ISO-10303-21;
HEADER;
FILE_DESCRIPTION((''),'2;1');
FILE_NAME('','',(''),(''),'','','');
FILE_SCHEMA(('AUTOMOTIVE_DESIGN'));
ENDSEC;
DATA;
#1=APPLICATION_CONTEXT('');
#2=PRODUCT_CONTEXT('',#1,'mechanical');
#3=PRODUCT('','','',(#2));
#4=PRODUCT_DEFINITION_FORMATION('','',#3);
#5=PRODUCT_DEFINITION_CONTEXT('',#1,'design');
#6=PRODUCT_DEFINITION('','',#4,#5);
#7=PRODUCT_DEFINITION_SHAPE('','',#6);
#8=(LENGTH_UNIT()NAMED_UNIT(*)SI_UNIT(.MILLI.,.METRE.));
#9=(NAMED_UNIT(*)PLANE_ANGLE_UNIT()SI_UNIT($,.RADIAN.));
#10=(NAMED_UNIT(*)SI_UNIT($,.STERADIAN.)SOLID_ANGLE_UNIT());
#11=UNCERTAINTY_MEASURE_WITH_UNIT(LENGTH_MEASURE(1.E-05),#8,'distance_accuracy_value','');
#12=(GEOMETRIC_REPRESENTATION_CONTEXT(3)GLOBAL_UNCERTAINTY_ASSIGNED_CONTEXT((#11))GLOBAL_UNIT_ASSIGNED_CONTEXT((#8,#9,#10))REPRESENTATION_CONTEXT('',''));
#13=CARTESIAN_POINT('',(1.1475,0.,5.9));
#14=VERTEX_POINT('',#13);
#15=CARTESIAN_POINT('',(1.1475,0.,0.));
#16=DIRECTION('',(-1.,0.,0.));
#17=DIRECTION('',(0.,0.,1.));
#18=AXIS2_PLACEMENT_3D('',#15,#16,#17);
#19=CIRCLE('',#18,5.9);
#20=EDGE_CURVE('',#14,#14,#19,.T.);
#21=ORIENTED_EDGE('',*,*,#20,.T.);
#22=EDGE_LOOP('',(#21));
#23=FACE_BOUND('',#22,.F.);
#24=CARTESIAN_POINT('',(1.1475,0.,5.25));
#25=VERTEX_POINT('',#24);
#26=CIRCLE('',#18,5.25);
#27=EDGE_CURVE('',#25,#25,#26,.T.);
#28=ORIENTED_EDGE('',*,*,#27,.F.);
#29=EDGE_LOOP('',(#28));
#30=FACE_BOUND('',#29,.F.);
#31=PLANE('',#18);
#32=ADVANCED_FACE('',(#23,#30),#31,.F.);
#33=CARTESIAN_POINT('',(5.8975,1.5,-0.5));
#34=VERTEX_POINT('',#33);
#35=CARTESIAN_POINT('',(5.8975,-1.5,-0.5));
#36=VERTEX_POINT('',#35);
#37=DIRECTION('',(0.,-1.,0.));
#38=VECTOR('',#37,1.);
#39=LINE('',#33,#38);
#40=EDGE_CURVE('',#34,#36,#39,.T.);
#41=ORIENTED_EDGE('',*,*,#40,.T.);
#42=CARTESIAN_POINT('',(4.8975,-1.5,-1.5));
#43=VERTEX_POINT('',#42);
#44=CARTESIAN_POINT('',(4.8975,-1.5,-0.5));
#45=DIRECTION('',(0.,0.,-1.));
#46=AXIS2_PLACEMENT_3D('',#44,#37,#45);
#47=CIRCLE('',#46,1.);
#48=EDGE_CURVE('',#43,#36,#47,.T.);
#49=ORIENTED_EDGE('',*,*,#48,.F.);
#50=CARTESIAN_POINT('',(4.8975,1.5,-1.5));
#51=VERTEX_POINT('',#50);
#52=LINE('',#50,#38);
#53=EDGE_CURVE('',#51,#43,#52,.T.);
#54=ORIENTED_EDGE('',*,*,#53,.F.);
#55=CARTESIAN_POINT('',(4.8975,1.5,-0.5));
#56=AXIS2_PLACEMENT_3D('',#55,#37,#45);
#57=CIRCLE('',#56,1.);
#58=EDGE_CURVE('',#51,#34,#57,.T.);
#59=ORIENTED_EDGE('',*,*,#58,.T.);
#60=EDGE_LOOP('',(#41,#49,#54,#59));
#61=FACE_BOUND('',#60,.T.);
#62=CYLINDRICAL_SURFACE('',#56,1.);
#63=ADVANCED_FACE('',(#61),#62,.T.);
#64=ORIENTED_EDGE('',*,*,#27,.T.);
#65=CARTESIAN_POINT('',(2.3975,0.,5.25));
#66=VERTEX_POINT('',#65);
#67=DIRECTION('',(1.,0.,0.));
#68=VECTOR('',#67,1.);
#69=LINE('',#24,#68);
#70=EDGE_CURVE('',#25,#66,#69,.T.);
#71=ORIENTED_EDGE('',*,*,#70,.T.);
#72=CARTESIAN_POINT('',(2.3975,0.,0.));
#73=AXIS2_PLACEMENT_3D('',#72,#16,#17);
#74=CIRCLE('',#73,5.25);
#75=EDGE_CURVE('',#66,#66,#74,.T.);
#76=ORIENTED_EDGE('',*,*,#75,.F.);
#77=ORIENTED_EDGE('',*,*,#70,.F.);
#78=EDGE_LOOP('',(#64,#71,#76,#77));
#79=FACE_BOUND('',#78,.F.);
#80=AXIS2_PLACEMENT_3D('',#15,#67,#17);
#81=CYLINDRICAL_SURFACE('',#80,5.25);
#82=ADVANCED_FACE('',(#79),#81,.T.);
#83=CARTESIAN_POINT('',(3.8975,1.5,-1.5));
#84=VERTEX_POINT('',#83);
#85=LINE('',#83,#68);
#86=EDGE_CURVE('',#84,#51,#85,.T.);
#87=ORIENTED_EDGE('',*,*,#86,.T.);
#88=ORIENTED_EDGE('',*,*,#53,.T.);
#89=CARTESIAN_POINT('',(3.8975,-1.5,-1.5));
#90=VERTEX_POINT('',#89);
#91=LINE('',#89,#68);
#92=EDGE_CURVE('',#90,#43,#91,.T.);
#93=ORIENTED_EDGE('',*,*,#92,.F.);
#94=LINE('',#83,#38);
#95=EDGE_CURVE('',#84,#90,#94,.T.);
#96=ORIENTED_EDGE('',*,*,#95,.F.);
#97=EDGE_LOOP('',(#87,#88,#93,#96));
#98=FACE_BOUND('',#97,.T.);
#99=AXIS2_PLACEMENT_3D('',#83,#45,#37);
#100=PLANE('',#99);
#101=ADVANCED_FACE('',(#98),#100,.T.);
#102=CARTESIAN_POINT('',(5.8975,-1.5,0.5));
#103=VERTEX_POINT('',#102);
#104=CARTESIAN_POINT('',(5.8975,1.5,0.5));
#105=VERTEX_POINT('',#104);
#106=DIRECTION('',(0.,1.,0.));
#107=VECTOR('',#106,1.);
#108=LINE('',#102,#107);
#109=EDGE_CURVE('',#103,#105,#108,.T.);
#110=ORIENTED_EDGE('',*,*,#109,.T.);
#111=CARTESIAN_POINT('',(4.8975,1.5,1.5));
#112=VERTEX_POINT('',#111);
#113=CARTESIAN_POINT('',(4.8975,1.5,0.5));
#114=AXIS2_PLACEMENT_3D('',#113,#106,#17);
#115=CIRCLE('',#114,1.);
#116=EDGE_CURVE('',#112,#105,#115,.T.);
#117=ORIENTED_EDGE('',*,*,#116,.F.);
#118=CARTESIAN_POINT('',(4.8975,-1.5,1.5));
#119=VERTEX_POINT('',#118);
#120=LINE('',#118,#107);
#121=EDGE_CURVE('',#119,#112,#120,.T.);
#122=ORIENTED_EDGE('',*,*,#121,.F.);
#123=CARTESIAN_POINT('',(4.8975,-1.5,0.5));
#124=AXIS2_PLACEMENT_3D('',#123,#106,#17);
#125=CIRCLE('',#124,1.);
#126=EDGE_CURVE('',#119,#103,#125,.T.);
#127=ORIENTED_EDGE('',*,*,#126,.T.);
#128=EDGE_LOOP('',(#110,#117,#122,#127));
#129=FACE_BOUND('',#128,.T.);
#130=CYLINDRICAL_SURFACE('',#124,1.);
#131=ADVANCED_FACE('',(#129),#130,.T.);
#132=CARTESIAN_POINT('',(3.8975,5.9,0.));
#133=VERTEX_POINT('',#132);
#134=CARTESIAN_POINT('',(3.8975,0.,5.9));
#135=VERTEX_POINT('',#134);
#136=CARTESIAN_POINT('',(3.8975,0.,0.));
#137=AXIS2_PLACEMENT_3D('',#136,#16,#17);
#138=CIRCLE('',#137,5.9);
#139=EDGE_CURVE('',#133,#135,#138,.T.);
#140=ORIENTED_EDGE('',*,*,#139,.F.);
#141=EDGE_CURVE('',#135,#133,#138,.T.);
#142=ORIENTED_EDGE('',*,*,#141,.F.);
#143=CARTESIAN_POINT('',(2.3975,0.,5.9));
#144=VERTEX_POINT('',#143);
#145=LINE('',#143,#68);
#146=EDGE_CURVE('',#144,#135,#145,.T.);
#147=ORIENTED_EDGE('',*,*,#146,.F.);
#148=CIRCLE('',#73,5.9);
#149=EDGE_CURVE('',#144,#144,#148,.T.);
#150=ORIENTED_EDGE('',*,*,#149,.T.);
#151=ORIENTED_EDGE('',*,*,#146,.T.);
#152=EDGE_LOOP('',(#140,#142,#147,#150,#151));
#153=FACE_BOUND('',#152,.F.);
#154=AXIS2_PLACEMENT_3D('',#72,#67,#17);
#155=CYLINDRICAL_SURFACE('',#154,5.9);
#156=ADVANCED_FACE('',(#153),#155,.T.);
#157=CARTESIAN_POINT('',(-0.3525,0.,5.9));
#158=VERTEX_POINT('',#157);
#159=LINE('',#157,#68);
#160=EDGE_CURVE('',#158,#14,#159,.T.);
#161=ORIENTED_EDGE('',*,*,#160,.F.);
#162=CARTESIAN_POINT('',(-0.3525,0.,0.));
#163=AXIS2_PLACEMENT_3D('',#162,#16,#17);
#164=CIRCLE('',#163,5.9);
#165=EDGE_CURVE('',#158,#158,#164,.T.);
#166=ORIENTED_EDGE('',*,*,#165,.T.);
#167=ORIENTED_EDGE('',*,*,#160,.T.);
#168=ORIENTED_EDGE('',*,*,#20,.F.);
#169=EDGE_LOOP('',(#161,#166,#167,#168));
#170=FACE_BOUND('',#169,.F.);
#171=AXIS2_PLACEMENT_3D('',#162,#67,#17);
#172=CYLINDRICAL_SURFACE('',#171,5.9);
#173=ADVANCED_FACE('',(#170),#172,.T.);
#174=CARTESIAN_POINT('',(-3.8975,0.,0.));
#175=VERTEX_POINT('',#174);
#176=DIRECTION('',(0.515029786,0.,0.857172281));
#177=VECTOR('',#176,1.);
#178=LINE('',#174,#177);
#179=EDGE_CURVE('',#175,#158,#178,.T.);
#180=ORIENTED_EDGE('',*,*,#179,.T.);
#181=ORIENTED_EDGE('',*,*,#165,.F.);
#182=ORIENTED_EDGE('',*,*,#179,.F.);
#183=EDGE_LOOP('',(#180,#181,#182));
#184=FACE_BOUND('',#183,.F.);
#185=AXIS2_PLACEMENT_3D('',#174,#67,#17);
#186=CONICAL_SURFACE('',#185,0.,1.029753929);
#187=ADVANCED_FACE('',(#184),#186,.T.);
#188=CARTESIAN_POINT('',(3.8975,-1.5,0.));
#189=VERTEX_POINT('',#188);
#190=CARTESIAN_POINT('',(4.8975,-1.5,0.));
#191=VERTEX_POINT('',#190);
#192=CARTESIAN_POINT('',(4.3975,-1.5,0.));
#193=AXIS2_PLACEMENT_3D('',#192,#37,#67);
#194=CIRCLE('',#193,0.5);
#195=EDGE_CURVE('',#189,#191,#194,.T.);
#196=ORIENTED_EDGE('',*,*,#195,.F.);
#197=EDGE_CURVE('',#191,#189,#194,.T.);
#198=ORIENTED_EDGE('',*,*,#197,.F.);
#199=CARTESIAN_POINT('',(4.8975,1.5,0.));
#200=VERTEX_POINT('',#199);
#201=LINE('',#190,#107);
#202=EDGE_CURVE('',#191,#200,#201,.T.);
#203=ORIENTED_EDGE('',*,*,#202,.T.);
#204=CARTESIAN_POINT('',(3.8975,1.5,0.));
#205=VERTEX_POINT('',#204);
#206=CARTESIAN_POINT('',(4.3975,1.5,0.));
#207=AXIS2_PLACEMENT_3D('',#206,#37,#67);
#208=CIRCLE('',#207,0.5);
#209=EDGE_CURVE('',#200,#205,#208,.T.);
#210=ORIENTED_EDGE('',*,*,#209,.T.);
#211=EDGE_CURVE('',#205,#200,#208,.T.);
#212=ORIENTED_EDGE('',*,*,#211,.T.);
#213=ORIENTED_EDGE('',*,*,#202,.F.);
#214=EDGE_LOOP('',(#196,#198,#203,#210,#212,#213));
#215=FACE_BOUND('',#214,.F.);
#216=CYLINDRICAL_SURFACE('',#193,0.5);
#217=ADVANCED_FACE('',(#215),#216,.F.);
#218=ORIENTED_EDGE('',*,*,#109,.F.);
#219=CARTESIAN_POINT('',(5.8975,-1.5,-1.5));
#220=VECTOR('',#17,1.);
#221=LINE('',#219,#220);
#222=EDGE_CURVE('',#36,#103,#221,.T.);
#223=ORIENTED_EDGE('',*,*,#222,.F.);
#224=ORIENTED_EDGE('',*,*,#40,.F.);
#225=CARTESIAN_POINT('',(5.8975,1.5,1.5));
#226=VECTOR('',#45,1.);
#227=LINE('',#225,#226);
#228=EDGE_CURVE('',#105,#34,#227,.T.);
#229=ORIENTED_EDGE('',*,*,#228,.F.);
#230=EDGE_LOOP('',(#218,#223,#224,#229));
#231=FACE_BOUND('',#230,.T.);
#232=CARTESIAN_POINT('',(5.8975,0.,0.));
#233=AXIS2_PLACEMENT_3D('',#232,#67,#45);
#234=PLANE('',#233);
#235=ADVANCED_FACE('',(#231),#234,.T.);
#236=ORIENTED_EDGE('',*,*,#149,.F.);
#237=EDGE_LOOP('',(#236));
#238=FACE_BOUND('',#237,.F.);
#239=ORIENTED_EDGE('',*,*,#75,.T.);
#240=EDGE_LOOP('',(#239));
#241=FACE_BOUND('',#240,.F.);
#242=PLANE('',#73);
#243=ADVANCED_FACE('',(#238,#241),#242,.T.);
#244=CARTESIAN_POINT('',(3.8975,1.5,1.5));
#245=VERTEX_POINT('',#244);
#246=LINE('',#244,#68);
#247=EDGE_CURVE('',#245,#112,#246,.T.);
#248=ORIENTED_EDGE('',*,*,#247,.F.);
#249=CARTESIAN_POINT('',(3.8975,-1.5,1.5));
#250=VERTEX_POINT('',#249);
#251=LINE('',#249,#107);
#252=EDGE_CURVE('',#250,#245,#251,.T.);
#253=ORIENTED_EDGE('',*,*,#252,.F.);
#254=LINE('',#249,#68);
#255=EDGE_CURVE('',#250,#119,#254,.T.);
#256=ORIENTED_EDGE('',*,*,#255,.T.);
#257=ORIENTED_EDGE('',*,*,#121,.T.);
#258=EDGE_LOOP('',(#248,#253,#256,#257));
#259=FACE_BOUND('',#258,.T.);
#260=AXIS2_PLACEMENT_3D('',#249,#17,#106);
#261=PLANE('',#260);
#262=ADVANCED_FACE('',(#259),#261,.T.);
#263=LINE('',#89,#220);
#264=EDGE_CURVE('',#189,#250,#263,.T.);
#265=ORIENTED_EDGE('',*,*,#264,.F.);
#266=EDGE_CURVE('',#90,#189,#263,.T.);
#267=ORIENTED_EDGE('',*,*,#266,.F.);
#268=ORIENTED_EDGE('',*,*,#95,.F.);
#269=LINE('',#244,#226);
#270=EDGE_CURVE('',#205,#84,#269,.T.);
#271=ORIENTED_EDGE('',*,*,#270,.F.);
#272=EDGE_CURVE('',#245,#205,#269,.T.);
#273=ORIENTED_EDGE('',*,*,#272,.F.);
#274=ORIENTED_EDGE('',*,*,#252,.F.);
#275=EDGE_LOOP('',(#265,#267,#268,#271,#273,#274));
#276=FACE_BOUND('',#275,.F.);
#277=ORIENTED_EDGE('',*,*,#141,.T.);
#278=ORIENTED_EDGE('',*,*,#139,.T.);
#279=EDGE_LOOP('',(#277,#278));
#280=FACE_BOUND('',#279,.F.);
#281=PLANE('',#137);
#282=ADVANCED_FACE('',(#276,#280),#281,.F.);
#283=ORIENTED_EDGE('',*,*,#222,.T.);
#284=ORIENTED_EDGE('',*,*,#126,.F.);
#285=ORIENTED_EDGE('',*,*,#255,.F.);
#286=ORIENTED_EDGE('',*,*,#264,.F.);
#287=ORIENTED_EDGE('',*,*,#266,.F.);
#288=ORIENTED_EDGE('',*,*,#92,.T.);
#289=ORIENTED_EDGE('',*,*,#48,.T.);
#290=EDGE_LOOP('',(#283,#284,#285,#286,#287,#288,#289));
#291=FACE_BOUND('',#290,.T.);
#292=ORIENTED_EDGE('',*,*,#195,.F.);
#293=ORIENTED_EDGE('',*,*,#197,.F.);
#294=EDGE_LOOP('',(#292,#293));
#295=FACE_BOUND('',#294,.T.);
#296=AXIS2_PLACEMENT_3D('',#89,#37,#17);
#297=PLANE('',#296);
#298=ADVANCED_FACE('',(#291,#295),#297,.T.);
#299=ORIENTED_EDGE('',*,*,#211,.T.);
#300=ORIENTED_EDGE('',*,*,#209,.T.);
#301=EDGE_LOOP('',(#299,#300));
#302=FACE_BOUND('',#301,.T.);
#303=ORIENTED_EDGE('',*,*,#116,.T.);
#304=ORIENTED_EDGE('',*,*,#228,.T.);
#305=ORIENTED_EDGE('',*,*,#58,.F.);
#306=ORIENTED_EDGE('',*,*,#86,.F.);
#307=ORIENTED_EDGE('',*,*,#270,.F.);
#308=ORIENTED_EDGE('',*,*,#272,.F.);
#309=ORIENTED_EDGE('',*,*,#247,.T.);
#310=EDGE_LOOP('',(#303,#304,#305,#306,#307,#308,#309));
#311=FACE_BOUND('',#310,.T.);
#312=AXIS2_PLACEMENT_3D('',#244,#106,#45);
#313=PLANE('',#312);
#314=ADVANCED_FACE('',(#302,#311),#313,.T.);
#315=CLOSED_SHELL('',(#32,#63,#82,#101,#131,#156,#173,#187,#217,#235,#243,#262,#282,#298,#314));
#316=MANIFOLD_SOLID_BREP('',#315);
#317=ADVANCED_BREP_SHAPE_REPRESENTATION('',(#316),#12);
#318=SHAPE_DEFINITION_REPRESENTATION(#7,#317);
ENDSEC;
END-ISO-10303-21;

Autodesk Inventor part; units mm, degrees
ref_plane "YZ Plane" through (0, 0, 0) normal (1, 0, 0) x (0, 1, 0)
ref_plane "XZ Plane" through (0, 0, 0) normal (0, 1, 0) x (-1, 0, 0)
ref_plane "XY Plane" through (0, 0, 0) normal (0, 0, 1) x (1, 0, 0)
sketch "Sketch1" plane through (0, 0, 0) normal (0, 1, 0) x (-1, 0, 0)
  line L0 (3.8975, 0) -> (0.3525, 5.9)
  line L1 (0.3525, 5.9) -> (-1.1475, 5.9)
  line L2 (-1.1475, 5.9) -> (-1.1475, 5.25)
  line L3 (-1.1475, 5.25) -> (-2.3975, 5.25)
  line L4 (-2.3975, 5.25) -> (-2.3975, 5.9)
  line L5 (-2.3975, 5.9) -> (-3.8975, 5.9)
  line L6 (-3.8975, 5.9) -> (-3.8975, 0)
  line L7 (-3.8975, 0) -> (3.8975, 0)
  point P0 (0, 0)
  point P1 (0, 0)
  dimension "d0" = 11.8
  dimension "d1" = 1.25
  dimension "d2" = 10.5
  dimension "d3" = 59
  dimension "d4" = 1.5
revolve "Revolution1" add sketch "Sketch1" angle 360 about axis through (3.8975, 0, 0) along (-1, 0, 0)
sketch "Sketch2" plane through (3.8975, 0, 0) normal (1, 0, 0) x (0, 0, -1)
  line L0 (1.5, -1.5) -> (-1.5, -1.5)
  line L1 (-1.5, -1.5) -> (-1.5, 1.5)
  line L2 (-1.5, 1.5) -> (1.5, 1.5)
  line L3 (1.5, 1.5) -> (1.5, -1.5)
  line L4 (1.5, -1.5) -> (-1.5, 1.5) construction
  line L5 (-1.5, -1.5) -> (1.5, 1.5) construction
  point P0 (0, 0)
  dimension "d6" = 3
  dimension "d7" = 3
extrude "Extrusion1" add sketch "Sketch2" along normal blind 2
sketch "Sketch3" plane through (3.8975, -1.5, -1.5) normal (0, -1, 0) x (1, 0, 0)
  line L0 (0, 0) -> (0, 3) projected
  line L1 (0, 0) -> (2, 0) projected
  line L2 (2, 3) -> (2, 0) projected
  line L3 (0, 3) -> (2, 3) projected
  circle A0 centre (0.5, 1.5) radius 0.5
  line L4 (0, 7.4) -> (0, -4.4) projected
  point P0 (-3.8975, 1.5)
  dimension "d10" = 1
extrude "Extrusion2" cut sketch "Sketch3" against normal through all contours A0
fillet "Fillet1" radius 1 2 edges at (5.8975, 0, 1.5) (5.8975, 0, -1.5)
properties part number "PayloadGermination_SyringePlunger" material "Aluminum 6061"
